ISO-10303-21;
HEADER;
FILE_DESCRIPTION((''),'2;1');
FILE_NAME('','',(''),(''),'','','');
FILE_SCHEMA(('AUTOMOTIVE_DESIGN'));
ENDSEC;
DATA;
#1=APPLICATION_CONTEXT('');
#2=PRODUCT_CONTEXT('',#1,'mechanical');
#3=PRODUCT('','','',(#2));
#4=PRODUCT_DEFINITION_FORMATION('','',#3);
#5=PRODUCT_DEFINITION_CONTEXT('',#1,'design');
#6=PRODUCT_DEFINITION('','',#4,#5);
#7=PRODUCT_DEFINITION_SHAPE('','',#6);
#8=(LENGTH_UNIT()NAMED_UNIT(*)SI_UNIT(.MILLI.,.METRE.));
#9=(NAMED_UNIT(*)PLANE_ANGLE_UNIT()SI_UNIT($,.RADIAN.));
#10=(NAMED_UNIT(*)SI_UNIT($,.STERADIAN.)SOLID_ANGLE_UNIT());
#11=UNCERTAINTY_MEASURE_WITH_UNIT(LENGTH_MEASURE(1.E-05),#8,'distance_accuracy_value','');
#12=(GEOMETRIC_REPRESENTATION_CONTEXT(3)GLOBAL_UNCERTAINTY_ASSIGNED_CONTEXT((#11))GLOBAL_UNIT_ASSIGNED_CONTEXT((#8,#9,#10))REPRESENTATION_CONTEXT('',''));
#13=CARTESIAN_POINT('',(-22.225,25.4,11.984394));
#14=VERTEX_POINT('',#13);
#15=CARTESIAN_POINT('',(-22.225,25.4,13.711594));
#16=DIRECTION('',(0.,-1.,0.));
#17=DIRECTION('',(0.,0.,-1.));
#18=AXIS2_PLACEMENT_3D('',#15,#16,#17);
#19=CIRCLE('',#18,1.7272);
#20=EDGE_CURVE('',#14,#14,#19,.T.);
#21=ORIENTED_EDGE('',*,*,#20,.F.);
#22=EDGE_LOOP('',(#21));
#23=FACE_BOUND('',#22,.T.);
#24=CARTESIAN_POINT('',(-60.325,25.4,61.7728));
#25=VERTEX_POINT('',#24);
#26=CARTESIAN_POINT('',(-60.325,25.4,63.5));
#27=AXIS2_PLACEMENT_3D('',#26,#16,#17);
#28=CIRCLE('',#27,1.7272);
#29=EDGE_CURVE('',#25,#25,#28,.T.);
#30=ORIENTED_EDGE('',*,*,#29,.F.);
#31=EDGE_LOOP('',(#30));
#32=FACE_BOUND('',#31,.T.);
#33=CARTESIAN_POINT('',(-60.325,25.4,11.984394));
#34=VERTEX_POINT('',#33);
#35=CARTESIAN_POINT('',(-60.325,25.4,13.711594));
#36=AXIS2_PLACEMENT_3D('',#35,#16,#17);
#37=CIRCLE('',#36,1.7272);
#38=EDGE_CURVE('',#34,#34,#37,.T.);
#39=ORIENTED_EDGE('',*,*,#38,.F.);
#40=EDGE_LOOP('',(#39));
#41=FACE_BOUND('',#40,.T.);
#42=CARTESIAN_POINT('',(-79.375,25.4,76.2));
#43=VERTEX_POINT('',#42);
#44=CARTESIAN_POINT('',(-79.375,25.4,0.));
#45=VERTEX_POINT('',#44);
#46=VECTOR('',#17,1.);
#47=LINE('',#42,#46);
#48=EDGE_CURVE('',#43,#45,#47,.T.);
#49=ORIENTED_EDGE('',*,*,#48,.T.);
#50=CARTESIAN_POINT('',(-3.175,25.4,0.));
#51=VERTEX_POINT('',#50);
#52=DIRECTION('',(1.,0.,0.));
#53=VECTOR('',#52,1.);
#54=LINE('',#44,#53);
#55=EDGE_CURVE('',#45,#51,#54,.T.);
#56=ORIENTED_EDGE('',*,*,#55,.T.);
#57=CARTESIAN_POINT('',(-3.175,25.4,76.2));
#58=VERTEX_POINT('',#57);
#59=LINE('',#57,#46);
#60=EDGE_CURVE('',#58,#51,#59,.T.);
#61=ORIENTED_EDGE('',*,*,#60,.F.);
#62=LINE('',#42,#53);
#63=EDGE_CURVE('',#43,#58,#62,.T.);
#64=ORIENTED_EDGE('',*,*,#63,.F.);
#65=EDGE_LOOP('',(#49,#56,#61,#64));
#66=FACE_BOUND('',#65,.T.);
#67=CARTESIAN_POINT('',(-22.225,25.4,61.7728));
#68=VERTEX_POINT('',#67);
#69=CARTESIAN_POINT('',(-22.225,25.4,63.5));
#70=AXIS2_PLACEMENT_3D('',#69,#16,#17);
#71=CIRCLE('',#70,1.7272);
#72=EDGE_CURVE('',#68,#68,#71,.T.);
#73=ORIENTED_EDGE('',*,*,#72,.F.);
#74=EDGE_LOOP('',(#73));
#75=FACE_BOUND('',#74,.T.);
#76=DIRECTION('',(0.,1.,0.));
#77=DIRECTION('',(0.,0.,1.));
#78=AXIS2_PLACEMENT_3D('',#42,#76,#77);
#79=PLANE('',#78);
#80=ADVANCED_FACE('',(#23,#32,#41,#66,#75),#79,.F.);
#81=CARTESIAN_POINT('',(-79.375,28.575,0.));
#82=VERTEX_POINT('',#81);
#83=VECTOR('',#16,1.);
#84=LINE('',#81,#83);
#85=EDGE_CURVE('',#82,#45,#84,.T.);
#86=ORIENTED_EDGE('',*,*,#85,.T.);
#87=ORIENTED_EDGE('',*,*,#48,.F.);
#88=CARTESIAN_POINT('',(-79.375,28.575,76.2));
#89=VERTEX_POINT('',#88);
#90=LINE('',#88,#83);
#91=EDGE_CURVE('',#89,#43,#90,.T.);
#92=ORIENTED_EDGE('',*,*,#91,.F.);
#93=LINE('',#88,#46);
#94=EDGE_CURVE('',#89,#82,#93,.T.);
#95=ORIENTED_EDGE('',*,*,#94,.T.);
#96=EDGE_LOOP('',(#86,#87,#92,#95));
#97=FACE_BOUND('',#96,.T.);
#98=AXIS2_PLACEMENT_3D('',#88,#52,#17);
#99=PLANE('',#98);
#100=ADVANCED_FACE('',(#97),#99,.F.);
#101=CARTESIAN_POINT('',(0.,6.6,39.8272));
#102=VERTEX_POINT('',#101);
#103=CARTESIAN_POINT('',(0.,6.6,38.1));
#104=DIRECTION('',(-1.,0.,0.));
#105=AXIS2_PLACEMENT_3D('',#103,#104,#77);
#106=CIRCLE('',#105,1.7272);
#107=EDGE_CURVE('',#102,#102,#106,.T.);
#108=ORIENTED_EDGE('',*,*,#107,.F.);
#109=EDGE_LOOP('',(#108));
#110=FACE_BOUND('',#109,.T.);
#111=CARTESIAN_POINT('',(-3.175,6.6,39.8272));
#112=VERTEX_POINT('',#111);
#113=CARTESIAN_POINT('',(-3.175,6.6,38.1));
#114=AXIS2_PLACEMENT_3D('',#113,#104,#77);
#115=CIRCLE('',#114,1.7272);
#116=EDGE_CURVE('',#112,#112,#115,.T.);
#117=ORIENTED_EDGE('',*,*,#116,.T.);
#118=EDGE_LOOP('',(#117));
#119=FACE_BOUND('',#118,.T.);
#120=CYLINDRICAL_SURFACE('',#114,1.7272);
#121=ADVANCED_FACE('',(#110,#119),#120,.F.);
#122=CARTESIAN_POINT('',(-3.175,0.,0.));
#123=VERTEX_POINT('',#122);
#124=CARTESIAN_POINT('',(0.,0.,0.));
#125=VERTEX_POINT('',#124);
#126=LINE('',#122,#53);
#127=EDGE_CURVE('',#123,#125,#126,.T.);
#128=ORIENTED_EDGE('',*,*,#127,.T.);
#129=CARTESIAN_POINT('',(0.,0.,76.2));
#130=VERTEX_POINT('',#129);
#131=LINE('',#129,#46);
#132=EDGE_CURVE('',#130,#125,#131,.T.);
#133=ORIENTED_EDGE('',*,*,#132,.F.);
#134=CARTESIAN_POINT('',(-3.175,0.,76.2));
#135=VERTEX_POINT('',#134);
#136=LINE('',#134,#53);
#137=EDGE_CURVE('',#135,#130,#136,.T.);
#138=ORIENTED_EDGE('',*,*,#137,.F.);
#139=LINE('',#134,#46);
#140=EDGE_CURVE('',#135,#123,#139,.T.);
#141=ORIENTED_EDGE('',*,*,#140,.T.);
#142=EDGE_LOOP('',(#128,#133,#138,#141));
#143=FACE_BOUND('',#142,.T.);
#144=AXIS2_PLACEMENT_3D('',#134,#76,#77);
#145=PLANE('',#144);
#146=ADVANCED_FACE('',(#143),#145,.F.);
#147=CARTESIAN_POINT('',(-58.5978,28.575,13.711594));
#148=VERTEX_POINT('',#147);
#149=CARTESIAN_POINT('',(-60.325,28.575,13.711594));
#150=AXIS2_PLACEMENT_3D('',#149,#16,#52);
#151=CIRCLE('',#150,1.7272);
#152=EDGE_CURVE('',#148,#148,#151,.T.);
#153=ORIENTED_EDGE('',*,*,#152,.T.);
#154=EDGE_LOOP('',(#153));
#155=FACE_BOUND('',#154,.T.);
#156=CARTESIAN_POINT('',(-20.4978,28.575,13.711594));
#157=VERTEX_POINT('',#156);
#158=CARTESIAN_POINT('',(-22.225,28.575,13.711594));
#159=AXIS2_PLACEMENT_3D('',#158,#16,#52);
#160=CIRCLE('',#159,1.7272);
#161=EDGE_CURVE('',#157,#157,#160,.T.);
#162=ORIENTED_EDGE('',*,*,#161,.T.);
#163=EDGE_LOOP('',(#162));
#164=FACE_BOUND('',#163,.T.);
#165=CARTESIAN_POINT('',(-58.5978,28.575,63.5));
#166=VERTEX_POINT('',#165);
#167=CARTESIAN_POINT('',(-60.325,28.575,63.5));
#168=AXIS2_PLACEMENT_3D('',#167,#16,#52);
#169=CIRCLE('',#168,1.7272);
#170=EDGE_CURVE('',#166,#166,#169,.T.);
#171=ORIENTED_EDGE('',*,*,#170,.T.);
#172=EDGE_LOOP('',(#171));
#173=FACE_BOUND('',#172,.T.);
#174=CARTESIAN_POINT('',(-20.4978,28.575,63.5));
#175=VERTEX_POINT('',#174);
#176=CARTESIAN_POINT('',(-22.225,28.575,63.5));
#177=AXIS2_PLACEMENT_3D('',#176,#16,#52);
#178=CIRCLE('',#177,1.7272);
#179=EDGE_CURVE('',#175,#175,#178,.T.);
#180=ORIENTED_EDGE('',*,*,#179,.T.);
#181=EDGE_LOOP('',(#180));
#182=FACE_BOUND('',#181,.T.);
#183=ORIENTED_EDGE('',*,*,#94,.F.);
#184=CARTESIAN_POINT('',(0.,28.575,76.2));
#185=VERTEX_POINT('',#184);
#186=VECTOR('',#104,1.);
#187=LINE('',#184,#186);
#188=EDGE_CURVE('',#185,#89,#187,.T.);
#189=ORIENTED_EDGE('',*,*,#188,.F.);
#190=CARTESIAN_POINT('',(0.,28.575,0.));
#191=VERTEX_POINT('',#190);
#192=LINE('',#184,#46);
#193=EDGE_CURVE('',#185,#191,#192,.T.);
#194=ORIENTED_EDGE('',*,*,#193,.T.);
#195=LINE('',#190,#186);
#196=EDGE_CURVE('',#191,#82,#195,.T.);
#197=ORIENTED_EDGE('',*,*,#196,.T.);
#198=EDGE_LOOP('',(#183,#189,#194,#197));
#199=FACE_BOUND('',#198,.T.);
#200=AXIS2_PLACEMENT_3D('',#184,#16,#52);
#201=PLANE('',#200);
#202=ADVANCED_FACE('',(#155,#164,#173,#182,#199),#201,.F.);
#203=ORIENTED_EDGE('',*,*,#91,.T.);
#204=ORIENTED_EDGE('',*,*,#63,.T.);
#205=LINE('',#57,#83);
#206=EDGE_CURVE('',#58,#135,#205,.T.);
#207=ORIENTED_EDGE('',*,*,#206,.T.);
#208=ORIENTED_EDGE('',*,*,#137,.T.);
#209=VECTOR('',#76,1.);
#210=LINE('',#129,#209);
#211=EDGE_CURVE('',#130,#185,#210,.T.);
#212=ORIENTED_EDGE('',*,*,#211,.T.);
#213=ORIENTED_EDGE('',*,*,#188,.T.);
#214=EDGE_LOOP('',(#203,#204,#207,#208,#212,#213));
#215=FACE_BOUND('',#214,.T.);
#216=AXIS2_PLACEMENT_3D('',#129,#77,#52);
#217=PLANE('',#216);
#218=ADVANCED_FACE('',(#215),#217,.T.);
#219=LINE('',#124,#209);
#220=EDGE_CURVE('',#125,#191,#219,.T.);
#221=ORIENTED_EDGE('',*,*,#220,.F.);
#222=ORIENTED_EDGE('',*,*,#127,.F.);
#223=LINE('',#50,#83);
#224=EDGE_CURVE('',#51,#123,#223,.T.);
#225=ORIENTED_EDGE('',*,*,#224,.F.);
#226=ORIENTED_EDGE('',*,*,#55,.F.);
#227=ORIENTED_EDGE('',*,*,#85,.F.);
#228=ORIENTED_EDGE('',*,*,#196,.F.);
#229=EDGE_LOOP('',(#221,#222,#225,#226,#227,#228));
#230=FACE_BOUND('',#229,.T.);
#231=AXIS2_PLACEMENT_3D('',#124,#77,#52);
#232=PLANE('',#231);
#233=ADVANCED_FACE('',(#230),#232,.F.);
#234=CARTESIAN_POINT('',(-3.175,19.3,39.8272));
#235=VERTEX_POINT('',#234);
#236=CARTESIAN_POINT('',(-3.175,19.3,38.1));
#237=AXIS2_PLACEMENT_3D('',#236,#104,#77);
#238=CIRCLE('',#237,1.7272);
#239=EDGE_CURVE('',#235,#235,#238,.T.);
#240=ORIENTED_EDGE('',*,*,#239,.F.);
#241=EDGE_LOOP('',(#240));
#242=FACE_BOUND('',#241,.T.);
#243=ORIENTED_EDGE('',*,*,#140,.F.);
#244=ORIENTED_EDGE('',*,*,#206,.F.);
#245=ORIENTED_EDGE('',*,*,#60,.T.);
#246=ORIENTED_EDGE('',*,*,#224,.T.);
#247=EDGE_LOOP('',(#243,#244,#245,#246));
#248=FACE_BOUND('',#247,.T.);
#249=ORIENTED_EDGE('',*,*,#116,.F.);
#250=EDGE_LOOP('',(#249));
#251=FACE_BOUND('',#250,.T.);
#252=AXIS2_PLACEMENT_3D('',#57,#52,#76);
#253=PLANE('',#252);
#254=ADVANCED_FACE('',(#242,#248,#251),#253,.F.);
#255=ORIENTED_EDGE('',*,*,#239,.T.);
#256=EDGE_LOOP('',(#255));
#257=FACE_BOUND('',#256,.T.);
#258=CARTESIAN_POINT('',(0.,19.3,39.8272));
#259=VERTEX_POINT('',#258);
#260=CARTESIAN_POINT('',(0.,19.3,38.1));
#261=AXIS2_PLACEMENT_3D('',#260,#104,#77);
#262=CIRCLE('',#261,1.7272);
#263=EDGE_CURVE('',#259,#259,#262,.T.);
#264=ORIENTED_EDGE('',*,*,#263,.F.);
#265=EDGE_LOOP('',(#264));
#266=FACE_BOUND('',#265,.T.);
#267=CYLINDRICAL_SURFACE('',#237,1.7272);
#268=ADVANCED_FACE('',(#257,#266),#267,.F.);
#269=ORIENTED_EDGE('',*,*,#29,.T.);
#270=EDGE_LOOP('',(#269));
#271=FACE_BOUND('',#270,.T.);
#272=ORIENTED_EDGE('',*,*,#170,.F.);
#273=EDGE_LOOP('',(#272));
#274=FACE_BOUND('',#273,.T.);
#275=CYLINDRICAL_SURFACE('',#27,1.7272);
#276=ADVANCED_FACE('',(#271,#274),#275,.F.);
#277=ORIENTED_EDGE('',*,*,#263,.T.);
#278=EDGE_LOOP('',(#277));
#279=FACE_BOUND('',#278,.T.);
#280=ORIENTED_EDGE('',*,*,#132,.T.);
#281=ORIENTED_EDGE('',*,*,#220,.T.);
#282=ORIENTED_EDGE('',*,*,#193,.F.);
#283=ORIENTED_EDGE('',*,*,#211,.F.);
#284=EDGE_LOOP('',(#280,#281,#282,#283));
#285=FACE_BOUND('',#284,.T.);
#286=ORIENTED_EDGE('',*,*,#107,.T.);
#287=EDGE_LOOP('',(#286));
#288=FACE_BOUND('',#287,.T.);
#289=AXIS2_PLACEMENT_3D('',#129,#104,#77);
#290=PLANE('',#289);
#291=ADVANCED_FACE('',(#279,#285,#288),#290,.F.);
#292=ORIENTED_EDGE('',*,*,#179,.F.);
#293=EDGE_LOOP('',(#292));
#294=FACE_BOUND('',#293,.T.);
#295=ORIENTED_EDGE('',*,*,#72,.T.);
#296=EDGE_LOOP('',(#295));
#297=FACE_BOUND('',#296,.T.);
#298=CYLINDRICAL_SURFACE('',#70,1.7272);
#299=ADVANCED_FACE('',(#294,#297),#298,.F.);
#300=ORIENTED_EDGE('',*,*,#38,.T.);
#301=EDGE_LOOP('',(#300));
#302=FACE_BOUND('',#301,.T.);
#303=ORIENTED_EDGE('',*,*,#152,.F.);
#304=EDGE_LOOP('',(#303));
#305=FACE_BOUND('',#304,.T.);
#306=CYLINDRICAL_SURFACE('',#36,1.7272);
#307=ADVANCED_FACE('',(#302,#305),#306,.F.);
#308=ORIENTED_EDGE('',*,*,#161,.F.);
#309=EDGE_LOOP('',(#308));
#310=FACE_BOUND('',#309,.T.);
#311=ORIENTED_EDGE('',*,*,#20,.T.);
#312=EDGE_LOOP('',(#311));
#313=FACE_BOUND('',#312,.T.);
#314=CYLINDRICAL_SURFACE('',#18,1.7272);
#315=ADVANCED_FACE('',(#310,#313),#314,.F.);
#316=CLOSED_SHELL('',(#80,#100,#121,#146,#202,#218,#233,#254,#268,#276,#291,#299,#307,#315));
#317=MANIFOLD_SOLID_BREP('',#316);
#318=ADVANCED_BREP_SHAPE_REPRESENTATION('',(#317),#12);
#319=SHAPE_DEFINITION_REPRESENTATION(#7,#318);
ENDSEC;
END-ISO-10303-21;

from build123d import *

# Parameters (mm, degrees)
BOSS_EXTRUDE1_DEPTH       = 76.2
TAP_DRILL_FOR_8_36_TAP1_D = 3.4544
TAP_DRILL_FOR_8_36_TAP2_D = 3.4544


with BuildPart() as part:
    # Sketch1 → Boss-Extrude1 (new body)
    with BuildSketch(Plane.XY):
        Polygon((0, 0), (0, 28.575), (-79.375, 28.575), (-79.375, 25.4), (-3.175, 25.4), (-3.175, 0), align=None)
    extrude(amount=BOSS_EXTRUDE1_DEPTH)

    # Tap Drill for #8-36 Tap1 (through all)
    with Locations(Plane.ZY.offset(3.175)):
        with Locations((38.1, 6.6), (38.1, 19.3)):
            Hole(TAP_DRILL_FOR_8_36_TAP1_D / 2)

    # Tap Drill for #8-36 Tap2 (through all)
    with Locations(Plane(origin=(0, 25.4, 0), x_dir=(-1, 0, 0), z_dir=(0, -1, 0))):
        with Locations((60.325, -63.5), (22.225, -63.5), (60.325, -13.711593905), (22.225, -13.711593905)):
            Hole(TAP_DRILL_FOR_8_36_TAP2_D / 2)


solid = part.part
